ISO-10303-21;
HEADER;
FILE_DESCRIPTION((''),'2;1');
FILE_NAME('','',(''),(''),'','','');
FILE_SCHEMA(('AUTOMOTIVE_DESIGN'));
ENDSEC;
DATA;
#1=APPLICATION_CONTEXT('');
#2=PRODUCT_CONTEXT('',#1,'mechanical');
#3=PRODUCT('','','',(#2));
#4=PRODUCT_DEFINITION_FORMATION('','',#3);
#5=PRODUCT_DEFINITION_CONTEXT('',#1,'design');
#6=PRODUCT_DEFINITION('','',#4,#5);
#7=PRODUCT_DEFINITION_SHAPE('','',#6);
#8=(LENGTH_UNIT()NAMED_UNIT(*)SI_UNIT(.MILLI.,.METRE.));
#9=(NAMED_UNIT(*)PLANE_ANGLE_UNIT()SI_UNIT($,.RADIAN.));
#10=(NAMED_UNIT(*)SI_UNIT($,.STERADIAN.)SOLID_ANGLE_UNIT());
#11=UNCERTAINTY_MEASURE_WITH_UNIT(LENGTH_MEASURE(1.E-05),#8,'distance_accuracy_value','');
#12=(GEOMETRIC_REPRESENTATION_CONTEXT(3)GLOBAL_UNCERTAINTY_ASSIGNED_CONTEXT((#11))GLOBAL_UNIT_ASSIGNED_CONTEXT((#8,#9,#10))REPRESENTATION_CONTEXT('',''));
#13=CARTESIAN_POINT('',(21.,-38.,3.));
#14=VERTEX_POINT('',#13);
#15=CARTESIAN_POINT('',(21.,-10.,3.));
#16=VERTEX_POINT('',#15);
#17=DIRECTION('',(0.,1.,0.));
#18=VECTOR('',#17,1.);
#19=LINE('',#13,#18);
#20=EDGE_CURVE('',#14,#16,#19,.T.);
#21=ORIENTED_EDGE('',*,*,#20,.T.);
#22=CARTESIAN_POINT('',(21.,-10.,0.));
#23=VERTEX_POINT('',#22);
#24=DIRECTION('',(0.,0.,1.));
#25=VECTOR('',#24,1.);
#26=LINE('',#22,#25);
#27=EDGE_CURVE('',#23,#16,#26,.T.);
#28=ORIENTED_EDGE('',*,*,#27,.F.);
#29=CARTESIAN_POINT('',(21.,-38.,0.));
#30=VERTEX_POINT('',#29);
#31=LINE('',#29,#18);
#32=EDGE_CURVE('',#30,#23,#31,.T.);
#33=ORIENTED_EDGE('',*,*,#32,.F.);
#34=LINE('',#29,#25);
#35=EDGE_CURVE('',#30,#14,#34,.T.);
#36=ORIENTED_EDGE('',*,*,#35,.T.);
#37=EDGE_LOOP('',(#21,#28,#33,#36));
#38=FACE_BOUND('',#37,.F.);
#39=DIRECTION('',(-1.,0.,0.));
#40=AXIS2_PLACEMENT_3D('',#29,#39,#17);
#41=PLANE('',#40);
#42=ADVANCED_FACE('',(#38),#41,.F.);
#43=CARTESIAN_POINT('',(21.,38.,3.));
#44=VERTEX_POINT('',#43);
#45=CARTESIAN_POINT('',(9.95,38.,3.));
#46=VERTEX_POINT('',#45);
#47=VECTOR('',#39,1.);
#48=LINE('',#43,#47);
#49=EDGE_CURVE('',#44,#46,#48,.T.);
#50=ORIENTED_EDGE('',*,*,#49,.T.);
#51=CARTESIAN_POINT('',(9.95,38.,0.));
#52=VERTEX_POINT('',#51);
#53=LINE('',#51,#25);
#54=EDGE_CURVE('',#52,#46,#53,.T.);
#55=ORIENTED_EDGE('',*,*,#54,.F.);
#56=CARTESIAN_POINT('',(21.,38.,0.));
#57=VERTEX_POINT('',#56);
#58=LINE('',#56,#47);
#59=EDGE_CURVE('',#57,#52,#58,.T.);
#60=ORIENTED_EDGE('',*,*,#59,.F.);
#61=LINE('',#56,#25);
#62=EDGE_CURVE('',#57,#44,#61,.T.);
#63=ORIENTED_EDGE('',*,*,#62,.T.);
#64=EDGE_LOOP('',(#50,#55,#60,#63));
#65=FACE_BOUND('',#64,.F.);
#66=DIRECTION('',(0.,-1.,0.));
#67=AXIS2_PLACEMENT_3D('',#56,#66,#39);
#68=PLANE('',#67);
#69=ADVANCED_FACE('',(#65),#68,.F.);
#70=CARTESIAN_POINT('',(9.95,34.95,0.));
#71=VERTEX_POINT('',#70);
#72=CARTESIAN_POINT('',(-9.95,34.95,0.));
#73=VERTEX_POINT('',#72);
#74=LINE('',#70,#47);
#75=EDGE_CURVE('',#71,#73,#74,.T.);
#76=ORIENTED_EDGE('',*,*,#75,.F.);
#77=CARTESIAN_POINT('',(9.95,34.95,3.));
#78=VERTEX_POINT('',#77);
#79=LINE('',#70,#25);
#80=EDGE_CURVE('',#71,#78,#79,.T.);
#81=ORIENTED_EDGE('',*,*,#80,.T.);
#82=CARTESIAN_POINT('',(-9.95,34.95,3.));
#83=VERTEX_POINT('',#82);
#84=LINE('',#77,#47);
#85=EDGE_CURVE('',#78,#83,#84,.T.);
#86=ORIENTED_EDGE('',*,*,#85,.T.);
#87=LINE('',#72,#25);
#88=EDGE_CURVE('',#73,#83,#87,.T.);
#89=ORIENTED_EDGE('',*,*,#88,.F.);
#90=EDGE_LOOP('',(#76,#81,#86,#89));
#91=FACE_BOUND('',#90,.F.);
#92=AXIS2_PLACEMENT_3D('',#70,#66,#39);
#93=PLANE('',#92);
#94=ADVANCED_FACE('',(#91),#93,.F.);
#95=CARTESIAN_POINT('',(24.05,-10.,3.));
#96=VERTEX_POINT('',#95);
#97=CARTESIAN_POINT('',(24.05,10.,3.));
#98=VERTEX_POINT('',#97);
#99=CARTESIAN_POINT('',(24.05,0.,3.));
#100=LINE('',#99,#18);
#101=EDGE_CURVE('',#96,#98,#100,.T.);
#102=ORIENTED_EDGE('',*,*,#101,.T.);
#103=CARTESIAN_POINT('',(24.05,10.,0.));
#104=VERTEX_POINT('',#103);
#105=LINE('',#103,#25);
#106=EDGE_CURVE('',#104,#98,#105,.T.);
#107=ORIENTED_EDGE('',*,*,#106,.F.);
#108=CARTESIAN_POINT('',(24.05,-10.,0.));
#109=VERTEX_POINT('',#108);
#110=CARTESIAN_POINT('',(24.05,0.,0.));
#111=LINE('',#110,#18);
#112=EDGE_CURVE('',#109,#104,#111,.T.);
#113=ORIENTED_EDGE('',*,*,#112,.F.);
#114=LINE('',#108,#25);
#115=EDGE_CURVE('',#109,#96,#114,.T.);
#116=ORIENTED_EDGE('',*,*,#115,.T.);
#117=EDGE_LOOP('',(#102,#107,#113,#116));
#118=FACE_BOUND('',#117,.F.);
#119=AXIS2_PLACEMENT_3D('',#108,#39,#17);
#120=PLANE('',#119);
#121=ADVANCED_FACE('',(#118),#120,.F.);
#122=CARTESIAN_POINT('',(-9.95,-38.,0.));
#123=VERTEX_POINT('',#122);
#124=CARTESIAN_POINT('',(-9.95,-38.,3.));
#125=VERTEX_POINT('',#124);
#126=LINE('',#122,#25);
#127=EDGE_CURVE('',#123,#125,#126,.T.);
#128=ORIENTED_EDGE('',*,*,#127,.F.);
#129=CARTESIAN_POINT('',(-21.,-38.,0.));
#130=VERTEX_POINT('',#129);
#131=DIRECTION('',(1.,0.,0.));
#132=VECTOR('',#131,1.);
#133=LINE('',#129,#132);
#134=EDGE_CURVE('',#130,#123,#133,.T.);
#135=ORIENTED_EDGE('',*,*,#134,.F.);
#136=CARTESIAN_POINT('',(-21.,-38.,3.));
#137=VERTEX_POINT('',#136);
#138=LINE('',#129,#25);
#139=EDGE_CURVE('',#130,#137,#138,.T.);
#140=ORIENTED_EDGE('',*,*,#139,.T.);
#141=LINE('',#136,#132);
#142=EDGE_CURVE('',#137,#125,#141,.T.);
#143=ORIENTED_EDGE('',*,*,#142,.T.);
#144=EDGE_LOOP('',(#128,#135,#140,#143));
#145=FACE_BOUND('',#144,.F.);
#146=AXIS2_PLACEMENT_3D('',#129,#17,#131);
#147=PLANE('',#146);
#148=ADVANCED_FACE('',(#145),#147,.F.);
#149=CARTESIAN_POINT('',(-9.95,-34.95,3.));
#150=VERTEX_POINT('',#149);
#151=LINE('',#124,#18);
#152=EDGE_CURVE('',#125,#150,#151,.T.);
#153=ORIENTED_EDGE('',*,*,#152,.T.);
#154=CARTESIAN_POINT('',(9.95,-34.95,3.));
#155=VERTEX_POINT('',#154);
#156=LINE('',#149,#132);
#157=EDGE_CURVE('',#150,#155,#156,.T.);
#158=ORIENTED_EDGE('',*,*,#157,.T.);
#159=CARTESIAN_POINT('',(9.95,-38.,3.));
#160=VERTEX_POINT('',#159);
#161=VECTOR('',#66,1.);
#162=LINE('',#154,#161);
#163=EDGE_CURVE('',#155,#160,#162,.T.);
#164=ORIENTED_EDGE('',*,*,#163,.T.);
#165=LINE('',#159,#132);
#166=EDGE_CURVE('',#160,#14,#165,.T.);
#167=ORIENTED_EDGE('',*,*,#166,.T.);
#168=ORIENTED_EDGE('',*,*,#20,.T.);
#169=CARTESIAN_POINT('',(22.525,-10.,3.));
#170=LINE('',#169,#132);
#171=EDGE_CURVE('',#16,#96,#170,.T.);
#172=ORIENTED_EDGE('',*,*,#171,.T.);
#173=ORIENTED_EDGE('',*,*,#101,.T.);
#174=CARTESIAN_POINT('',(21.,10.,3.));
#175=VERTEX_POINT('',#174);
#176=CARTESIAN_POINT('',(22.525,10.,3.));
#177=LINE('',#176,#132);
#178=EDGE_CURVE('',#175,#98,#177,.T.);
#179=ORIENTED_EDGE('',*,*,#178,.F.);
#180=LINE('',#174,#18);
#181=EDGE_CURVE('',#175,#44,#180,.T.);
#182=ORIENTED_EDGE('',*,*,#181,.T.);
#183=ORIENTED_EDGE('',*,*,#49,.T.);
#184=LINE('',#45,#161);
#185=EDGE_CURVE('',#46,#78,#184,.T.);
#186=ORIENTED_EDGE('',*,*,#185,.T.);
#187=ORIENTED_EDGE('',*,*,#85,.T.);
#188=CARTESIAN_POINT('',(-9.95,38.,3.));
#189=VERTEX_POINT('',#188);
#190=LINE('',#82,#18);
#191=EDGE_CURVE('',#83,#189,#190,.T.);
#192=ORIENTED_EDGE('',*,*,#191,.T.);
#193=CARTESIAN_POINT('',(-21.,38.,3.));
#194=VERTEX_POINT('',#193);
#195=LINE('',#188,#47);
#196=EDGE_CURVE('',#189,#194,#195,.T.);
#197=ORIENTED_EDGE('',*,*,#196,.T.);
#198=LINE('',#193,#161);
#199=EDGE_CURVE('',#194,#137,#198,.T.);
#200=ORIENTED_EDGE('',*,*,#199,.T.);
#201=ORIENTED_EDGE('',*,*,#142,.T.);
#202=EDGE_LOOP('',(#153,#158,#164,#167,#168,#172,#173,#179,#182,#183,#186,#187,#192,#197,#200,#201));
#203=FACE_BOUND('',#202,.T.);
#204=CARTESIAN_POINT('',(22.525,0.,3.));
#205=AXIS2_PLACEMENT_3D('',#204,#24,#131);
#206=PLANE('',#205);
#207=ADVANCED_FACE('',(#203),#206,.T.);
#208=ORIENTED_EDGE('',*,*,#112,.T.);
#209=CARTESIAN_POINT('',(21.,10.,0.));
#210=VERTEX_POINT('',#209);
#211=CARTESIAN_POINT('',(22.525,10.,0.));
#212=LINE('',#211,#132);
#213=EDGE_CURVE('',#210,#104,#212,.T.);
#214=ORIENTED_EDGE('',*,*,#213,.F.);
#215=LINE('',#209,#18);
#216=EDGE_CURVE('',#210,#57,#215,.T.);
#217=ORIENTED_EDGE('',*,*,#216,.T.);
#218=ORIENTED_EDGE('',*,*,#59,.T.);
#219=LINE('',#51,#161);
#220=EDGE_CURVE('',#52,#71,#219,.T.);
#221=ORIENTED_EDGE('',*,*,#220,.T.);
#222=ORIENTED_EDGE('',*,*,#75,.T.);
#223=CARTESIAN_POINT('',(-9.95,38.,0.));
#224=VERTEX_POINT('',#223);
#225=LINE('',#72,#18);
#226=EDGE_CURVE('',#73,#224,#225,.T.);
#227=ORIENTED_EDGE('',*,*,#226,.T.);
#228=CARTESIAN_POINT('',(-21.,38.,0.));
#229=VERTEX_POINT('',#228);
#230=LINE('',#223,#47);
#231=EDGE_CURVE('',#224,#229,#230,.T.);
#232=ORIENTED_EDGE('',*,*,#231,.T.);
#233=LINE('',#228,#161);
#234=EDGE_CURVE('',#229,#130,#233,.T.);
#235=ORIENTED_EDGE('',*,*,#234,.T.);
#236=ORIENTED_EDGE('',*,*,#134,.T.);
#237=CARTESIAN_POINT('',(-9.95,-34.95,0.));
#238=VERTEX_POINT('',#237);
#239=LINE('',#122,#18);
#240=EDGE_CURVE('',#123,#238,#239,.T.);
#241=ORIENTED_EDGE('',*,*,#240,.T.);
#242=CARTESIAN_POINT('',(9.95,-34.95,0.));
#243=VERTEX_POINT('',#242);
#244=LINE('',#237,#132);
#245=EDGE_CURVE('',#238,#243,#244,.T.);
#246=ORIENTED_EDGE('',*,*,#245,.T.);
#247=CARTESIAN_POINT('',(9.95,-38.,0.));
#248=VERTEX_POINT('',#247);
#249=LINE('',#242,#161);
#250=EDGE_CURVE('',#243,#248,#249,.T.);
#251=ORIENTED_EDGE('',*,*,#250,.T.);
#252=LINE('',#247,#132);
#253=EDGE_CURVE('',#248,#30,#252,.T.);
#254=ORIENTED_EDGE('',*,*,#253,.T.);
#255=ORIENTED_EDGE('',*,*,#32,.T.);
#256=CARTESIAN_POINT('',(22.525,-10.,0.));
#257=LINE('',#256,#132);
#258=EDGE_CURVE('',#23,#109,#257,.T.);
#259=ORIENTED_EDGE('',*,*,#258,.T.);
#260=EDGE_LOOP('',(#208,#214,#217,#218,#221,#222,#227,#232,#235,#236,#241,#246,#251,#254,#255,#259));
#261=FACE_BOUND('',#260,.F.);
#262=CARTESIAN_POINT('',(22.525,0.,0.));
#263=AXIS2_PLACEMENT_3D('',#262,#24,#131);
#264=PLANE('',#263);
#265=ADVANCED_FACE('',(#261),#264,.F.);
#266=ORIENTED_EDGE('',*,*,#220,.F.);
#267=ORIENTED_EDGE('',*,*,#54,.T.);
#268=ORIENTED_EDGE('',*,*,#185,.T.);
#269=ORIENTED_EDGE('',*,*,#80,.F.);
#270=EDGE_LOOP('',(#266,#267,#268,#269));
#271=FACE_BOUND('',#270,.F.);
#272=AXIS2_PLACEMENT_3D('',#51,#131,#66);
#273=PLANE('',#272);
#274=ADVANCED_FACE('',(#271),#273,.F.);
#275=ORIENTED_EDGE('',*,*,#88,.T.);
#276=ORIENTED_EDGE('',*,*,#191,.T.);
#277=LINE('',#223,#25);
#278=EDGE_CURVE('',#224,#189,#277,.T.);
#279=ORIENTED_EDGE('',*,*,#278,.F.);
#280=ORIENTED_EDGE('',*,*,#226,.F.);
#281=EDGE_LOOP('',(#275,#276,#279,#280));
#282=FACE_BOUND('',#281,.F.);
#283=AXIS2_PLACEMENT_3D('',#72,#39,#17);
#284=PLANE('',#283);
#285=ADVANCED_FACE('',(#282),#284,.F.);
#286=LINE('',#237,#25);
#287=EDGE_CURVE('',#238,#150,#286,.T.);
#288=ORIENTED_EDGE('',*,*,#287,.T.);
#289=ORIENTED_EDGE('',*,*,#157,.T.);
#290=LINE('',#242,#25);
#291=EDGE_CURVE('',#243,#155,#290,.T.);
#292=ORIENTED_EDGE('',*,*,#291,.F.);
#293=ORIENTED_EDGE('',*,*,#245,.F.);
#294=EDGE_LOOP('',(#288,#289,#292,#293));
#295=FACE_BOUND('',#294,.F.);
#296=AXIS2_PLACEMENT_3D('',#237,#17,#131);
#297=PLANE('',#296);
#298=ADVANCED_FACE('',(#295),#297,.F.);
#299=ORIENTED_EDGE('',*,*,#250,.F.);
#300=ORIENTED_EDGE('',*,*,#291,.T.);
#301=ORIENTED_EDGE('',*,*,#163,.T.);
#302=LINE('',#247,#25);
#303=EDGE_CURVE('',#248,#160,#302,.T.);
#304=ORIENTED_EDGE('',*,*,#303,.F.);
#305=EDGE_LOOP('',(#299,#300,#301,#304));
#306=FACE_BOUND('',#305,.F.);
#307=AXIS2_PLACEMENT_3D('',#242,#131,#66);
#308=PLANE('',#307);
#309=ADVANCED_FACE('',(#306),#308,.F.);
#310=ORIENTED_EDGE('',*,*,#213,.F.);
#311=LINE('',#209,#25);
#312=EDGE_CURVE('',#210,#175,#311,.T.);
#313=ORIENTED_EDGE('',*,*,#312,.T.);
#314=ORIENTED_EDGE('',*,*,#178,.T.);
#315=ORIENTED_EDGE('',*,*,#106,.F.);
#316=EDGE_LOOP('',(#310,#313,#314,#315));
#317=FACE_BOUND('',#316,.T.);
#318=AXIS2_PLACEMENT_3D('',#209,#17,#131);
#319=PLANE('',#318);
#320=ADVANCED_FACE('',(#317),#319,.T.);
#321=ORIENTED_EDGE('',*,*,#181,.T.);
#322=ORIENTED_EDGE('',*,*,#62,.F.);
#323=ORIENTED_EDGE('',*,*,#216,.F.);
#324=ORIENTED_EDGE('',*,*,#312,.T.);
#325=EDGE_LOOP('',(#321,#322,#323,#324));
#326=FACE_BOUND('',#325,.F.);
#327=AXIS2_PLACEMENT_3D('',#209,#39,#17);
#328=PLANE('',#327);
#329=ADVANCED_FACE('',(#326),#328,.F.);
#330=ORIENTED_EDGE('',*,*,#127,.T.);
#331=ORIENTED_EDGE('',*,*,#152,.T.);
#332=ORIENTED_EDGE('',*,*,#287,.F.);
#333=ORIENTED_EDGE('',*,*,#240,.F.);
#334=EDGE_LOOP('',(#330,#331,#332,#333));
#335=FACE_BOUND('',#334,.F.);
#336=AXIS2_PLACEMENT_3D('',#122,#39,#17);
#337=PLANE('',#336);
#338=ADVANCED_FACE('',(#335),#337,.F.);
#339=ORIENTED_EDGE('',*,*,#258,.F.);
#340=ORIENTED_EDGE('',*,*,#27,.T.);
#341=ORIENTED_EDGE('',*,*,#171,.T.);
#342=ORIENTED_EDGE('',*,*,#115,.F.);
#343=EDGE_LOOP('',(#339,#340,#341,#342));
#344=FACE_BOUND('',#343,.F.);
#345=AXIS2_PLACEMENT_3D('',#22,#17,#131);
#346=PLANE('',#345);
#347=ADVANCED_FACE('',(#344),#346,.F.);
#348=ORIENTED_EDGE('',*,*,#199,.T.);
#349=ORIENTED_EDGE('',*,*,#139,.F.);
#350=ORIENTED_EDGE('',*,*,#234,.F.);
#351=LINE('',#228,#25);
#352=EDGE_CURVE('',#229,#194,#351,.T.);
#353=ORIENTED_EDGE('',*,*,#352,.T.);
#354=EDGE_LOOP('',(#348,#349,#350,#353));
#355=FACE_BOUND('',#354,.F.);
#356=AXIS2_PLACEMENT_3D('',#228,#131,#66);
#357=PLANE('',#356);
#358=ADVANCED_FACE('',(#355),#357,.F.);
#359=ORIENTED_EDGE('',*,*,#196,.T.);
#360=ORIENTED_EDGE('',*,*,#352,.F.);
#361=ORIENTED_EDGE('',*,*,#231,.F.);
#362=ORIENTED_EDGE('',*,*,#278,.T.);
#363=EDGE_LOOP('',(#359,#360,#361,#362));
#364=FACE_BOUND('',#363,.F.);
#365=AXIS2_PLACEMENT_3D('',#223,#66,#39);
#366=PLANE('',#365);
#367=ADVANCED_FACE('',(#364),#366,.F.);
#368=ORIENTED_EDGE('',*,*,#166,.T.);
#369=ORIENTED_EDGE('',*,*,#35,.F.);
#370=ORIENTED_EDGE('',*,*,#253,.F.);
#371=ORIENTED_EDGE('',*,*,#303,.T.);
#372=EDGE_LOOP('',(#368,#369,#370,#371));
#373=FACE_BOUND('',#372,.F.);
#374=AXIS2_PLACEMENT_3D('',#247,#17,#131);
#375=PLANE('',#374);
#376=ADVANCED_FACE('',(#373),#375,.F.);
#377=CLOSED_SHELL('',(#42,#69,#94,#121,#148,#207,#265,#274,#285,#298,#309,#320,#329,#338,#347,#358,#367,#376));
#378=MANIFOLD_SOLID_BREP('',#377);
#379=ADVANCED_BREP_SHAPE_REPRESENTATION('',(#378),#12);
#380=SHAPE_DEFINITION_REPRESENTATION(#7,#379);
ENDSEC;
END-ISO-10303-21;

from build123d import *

# Parameters (mm, degrees)
F0_W     = 3.05
F0_H     = 20
F1_DEPTH = 3


with BuildPart() as f1:
    # F0 (on Top) → F1 (new body)
    with BuildSketch(Plane.XY):
        with Locations((22.525, 0)):
            Rectangle(F0_W, F0_H)
        Polygon((9.95, -38), (21, -38), (21, -10), (21, 10), (21, 38), (9.95, 38), (9.95, 34.95), (-9.95, 34.95), (-9.95, 38), (-21, 38), (-21, -38), (-9.95, -38), (-9.95, -34.95), (9.95, -34.95), align=None)
    extrude(amount=F1_DEPTH)


solid = f1.part
